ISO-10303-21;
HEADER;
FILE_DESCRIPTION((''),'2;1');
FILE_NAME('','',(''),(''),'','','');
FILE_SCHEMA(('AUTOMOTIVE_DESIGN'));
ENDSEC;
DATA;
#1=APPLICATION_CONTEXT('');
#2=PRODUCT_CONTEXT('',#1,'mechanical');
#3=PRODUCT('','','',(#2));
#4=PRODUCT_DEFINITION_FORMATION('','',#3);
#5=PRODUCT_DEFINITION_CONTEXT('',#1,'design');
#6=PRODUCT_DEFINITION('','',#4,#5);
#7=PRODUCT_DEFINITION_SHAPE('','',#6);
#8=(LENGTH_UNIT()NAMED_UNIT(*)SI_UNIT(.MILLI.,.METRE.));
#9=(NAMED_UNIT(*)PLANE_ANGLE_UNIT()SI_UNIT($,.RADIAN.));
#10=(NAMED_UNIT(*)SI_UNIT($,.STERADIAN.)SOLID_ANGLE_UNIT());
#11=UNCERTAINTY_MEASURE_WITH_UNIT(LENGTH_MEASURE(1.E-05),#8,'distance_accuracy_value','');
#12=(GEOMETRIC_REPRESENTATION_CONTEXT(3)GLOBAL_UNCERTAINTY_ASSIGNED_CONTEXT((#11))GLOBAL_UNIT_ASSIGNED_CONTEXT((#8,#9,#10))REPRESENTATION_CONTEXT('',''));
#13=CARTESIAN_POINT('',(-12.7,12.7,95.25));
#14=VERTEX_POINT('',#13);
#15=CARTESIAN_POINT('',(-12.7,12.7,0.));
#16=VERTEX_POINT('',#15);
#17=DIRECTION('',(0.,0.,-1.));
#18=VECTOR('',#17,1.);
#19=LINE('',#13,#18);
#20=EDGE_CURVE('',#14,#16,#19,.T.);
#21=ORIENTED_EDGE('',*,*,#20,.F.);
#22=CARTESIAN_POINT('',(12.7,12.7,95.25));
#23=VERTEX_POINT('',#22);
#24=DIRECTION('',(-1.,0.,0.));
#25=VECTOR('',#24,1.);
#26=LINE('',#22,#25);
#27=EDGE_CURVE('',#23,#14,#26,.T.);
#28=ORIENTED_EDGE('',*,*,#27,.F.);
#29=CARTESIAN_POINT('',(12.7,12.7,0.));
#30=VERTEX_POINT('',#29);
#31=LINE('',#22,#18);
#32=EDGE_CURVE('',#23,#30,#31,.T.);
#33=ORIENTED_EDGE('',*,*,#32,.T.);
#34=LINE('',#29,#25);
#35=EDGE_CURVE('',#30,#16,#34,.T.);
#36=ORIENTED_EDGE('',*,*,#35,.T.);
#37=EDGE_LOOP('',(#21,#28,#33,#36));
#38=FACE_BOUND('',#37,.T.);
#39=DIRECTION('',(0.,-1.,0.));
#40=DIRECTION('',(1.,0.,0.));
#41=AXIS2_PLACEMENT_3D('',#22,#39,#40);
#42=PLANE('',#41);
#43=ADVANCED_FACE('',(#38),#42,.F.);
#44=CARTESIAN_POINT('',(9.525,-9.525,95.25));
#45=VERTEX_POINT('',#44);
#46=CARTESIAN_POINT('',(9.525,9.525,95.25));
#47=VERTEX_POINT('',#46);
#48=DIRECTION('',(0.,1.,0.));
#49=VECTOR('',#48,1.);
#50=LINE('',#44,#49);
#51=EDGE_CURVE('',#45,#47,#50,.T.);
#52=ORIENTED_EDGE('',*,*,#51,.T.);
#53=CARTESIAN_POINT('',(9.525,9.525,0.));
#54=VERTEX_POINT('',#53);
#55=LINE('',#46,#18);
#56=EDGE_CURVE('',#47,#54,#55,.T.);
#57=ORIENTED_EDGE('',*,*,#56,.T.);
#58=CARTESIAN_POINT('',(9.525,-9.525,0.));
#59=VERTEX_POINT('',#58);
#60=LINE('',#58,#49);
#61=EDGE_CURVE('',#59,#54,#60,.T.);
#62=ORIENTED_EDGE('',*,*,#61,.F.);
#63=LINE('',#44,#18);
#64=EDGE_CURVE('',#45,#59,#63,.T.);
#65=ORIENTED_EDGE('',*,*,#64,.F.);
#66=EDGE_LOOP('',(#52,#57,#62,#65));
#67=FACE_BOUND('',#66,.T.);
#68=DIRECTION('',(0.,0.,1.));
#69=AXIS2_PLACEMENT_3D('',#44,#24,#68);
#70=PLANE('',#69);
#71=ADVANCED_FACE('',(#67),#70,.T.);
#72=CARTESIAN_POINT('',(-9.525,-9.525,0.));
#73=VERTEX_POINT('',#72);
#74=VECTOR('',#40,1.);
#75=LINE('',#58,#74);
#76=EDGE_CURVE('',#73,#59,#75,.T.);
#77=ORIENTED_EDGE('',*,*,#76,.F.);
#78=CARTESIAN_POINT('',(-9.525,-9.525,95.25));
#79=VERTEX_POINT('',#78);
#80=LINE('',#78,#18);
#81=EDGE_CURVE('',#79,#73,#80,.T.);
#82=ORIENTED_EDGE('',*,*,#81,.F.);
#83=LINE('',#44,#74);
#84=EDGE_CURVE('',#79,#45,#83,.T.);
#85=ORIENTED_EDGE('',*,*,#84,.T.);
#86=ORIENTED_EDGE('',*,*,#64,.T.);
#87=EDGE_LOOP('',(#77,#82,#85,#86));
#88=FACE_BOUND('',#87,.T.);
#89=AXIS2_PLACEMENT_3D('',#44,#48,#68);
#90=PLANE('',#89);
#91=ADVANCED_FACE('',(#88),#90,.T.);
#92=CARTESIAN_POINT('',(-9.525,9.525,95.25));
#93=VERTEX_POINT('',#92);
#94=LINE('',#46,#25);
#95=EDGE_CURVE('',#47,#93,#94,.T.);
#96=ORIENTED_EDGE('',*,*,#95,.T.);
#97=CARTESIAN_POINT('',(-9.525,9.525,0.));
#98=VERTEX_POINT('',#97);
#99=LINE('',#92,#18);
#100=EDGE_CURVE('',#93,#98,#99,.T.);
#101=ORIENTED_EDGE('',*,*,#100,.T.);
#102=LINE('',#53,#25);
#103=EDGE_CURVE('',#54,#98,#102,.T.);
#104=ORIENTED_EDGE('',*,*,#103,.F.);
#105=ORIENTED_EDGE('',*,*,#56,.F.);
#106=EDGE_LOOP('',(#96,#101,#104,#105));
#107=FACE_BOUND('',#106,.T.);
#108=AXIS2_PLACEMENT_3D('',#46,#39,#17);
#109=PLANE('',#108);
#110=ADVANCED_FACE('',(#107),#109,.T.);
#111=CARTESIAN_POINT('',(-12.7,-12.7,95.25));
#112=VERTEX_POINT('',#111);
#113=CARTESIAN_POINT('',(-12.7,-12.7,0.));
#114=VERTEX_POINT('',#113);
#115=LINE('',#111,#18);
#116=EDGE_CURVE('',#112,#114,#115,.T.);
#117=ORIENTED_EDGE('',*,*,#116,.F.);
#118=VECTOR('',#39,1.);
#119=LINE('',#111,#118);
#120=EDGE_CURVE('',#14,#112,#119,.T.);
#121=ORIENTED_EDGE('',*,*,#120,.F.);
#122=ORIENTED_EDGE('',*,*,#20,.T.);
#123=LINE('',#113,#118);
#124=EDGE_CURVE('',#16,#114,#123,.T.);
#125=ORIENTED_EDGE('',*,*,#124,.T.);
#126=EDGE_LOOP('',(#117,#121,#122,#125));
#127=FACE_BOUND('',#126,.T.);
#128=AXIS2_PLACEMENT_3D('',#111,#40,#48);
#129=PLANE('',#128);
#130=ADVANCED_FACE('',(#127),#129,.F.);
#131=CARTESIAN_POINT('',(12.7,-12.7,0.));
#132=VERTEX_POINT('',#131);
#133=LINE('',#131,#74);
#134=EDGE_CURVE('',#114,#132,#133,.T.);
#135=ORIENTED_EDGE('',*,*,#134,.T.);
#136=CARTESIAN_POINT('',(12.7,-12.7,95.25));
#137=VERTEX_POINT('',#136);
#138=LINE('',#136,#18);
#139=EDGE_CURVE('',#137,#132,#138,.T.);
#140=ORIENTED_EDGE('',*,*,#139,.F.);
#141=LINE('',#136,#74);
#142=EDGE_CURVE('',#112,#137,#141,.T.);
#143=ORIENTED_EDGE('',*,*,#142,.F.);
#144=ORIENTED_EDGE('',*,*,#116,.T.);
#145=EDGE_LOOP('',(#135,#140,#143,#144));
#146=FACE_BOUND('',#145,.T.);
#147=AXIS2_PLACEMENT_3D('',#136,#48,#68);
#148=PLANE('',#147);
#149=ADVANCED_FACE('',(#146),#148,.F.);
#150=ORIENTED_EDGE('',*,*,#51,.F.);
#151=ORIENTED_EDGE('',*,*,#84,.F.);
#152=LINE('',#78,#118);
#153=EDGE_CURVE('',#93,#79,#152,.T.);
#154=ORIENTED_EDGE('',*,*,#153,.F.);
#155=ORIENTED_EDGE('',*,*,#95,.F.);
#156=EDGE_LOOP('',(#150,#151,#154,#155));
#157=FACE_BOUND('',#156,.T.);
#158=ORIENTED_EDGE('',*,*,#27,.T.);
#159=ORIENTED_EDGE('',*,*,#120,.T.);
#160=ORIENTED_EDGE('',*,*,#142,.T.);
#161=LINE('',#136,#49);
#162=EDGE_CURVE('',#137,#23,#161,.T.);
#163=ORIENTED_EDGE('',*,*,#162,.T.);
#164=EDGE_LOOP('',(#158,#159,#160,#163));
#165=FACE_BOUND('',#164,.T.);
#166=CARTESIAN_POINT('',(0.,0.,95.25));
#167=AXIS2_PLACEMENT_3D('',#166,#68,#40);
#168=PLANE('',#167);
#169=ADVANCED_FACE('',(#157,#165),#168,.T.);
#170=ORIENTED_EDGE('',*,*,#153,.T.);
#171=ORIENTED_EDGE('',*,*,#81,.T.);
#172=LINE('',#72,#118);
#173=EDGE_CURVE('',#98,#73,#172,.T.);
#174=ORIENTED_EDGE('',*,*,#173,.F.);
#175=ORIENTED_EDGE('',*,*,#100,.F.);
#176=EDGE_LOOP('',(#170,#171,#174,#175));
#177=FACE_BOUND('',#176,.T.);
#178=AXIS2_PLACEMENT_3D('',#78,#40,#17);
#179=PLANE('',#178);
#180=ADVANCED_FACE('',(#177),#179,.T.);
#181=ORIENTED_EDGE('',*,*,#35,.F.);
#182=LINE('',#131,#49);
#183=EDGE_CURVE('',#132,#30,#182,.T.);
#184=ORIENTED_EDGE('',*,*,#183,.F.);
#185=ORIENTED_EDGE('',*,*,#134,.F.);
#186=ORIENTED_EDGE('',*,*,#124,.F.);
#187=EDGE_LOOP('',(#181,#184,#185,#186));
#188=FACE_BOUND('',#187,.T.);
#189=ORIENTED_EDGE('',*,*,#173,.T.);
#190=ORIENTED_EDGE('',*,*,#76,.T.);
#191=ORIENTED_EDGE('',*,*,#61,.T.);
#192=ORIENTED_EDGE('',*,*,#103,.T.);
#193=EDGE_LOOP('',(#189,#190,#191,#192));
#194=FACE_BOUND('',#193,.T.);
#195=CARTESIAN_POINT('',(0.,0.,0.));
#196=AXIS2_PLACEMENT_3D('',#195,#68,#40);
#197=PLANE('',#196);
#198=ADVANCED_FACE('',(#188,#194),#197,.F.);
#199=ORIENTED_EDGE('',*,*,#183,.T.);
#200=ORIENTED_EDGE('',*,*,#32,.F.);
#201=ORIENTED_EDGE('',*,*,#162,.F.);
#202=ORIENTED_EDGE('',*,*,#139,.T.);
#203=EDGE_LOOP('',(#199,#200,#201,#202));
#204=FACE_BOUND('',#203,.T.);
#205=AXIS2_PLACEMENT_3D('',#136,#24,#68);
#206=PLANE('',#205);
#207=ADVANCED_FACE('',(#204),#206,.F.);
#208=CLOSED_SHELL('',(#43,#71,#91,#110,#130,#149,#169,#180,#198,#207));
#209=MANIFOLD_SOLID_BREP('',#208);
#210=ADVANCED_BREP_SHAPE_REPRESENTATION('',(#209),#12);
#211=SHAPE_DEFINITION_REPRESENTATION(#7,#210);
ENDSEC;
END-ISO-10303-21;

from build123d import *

# Parameters (mm, degrees)
SKETCH1_W           = 25.4
SKETCH1_H           = 25.4
SKETCH1_W_2         = 19.05
SKETCH1_H_2         = 19.05
BOSS_EXTRUDE1_DEPTH = 95.25


with BuildPart() as part:
    # Sketch1 → Boss-Extrude1 (new body)
    with BuildSketch(Plane.XY):
        Rectangle(SKETCH1_W, SKETCH1_H)
        Rectangle(SKETCH1_W_2, SKETCH1_H_2, mode=Mode.SUBTRACT)
    extrude(amount=BOSS_EXTRUDE1_DEPTH)


solid = part.part
